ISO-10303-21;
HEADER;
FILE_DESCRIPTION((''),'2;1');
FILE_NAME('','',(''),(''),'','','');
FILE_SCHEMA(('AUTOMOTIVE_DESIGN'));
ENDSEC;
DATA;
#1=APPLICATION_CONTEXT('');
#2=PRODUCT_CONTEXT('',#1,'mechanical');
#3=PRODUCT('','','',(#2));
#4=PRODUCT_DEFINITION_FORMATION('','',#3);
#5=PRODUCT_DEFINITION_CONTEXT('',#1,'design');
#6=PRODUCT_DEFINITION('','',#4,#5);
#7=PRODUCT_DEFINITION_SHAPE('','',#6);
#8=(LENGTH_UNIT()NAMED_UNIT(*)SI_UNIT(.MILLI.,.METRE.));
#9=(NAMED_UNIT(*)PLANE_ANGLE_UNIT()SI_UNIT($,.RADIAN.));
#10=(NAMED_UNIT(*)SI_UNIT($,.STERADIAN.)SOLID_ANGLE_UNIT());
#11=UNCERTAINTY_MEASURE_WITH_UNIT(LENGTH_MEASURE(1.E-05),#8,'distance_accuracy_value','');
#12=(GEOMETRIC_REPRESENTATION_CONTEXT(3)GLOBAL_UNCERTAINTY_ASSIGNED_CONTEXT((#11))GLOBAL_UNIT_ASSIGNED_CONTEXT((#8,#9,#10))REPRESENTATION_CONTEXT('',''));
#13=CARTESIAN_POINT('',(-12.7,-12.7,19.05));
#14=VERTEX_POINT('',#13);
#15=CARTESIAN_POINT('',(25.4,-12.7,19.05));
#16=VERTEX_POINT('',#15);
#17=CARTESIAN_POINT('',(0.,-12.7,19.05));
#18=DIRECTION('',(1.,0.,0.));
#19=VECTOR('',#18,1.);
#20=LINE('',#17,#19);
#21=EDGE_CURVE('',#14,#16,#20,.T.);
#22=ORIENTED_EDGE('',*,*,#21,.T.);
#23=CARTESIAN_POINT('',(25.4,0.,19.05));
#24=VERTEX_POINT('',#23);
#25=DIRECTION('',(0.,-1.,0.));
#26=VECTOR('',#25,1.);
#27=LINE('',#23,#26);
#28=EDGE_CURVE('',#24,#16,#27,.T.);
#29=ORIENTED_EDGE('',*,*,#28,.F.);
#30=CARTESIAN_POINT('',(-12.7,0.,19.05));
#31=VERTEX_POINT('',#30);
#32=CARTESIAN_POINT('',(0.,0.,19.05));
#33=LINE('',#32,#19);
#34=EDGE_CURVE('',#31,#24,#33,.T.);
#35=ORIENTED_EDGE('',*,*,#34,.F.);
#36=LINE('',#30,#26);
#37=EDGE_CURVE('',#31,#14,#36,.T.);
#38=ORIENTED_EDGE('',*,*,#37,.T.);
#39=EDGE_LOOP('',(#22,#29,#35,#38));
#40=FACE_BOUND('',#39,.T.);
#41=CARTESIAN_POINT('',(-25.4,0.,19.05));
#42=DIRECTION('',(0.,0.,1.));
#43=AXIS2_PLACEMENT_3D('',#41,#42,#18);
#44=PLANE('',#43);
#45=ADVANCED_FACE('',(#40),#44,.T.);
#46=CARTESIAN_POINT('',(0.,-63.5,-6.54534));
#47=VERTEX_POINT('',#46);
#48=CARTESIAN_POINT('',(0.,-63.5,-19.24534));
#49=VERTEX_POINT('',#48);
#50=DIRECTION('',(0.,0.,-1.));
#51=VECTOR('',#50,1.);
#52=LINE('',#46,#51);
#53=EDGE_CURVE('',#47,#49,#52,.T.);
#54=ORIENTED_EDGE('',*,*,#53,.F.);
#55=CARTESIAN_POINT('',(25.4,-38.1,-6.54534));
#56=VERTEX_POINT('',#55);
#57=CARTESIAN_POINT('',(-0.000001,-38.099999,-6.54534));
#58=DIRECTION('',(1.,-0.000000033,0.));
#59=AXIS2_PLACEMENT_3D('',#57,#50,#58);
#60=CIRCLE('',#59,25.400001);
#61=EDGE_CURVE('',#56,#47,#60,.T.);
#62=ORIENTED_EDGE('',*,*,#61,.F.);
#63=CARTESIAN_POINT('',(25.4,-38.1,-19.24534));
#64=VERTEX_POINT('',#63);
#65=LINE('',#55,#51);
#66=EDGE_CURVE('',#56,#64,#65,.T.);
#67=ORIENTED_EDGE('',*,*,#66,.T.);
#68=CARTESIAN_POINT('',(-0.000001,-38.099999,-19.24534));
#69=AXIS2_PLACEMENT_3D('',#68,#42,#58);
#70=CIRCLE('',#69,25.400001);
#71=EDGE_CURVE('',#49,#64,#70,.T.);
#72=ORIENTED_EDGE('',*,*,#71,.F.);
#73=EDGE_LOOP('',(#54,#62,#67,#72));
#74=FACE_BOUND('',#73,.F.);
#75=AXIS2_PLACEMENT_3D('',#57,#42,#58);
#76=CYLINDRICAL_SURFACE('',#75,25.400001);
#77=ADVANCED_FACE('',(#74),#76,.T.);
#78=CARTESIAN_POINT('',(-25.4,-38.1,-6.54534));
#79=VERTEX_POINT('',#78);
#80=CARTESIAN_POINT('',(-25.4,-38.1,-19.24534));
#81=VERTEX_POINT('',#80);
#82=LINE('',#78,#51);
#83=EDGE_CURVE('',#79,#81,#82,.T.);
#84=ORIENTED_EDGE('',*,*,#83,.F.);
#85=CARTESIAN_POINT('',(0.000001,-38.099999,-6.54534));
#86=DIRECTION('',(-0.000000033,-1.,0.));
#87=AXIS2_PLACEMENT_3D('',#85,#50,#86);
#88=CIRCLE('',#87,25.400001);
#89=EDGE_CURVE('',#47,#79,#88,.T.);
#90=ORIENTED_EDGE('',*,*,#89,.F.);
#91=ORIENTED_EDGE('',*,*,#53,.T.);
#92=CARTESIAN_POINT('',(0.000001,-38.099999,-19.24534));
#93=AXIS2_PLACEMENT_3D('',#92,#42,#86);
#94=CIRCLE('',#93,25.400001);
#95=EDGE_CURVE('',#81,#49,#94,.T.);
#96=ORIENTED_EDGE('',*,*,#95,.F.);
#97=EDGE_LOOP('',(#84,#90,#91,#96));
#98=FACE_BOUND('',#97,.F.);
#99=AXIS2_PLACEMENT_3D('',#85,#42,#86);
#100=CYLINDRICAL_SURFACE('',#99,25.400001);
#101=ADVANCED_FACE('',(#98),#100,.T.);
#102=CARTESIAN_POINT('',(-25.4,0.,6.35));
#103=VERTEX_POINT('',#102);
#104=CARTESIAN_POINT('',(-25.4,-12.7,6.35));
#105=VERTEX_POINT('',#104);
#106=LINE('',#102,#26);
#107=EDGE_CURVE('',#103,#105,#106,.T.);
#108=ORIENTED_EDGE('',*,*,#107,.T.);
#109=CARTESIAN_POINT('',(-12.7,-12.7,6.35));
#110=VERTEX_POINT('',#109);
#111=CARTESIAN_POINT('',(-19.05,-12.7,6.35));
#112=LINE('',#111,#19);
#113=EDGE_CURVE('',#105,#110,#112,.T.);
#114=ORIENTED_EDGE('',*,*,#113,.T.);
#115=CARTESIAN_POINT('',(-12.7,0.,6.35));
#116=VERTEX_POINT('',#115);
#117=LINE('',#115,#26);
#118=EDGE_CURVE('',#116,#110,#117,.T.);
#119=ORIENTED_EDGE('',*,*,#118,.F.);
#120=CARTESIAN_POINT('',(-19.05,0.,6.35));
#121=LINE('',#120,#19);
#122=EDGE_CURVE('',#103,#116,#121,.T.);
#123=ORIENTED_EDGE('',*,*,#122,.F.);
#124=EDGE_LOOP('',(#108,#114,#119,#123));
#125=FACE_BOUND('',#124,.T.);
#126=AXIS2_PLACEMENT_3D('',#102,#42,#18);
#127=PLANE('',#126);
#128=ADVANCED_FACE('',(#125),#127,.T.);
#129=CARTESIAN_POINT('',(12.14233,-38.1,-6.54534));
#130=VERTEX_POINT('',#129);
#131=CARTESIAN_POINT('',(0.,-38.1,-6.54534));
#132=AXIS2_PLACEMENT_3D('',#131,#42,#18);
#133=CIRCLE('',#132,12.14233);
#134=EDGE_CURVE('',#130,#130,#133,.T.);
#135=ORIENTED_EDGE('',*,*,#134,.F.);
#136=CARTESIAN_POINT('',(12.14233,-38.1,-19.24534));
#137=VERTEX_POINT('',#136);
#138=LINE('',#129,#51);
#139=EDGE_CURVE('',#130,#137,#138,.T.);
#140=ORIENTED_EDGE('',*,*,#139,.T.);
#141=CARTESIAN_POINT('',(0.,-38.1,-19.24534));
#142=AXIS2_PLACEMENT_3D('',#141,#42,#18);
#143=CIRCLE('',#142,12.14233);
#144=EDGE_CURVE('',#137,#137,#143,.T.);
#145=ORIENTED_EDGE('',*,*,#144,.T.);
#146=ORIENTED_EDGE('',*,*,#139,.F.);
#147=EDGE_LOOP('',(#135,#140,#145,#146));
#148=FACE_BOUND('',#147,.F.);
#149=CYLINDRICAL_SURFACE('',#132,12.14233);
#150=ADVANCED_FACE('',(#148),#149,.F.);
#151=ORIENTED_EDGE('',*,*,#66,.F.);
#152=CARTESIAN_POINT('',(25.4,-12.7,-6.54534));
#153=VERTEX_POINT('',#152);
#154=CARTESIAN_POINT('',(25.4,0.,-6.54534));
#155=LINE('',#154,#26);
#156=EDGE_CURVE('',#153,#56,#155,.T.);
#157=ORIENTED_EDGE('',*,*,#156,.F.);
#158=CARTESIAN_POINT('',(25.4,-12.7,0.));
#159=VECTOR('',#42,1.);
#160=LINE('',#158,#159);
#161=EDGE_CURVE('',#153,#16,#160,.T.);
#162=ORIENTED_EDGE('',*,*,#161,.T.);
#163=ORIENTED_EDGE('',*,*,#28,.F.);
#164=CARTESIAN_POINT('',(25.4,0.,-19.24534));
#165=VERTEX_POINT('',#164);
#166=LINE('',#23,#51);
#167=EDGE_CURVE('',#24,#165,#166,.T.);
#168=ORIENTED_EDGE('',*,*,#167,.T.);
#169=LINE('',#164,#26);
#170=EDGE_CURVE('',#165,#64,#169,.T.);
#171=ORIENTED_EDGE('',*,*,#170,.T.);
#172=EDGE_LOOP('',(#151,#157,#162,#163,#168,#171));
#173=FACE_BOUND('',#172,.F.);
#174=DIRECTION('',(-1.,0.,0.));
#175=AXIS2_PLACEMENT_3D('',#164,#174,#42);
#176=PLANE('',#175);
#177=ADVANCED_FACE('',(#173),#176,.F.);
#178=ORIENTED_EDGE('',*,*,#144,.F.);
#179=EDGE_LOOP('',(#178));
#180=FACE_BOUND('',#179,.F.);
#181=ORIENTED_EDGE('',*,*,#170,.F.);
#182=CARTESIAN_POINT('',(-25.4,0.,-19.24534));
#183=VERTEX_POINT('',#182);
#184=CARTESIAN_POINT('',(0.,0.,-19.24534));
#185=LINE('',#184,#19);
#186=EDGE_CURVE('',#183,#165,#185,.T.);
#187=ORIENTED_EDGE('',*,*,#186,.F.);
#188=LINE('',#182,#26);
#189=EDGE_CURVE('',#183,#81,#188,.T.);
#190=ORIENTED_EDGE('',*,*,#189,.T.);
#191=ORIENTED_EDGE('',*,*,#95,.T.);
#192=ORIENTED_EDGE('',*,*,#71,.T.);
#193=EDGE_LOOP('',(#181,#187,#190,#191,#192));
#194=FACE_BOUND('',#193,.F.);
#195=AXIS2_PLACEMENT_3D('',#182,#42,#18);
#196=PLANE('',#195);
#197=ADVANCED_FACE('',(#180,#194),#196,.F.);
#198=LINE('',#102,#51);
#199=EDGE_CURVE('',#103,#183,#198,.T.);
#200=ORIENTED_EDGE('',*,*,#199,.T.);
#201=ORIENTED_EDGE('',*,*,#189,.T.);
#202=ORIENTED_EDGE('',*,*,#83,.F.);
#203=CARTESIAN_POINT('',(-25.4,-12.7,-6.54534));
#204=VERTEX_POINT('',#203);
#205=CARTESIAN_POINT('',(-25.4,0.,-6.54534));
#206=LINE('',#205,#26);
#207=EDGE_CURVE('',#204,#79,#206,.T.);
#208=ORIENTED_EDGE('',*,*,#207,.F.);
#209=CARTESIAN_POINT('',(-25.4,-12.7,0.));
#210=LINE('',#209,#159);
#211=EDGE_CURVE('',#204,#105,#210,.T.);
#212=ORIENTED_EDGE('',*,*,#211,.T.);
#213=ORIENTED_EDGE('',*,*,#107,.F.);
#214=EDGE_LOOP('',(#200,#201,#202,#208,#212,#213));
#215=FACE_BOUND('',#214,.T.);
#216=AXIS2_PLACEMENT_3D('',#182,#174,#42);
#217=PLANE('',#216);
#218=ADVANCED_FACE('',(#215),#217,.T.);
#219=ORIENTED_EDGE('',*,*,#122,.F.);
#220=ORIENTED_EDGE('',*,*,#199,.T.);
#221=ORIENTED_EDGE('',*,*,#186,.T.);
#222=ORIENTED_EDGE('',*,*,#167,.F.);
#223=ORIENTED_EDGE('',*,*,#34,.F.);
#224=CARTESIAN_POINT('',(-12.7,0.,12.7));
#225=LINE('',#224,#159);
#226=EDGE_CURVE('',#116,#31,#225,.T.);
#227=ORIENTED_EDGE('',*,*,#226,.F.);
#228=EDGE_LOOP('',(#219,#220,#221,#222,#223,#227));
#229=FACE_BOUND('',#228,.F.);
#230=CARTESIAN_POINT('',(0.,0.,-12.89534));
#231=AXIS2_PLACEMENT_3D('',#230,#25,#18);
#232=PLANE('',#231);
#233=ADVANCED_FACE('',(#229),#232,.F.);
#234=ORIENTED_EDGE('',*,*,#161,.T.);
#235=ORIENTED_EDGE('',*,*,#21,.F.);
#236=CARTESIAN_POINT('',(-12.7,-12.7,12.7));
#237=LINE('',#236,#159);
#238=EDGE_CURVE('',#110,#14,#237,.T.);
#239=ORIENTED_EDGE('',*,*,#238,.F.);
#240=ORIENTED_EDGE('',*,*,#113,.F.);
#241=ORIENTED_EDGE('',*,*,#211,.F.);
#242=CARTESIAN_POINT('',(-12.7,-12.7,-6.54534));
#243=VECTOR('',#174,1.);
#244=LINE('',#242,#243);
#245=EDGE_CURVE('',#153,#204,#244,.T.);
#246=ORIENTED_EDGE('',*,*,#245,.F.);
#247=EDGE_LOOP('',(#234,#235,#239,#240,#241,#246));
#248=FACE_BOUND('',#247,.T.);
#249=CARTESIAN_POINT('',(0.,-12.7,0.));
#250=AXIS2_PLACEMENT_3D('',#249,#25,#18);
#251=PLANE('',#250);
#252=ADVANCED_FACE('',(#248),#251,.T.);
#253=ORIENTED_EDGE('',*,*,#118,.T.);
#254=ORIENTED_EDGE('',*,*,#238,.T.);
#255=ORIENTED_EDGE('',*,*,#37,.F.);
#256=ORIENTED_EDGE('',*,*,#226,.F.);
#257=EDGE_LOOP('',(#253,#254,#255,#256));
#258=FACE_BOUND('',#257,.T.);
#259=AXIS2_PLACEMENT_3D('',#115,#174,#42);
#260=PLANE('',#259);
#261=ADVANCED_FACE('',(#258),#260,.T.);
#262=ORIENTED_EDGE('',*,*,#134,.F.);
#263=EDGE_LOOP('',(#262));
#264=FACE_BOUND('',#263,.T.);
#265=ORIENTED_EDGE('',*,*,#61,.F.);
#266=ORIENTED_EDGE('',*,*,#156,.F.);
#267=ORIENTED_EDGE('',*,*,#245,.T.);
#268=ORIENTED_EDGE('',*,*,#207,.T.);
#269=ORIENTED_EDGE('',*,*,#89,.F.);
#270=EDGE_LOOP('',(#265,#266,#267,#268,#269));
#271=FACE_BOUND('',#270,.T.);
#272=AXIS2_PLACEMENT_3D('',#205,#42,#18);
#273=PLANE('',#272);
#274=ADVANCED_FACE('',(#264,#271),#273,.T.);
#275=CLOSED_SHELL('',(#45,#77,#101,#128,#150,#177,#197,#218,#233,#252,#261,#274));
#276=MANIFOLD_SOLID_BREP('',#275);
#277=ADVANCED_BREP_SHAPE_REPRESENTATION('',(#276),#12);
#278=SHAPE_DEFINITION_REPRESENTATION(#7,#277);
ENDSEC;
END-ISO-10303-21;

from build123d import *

# Parameters (mm, degrees)
F0_W     = 50.8
F0_H     = 38.1
F1_DEPTH = 12.7
F2_W     = 12.7
F2_H     = 12.7
F3_DEPTH = 12.7
F4_W     = 50.8
F4_H     = 12.7
F5_DEPTH = 63.5
F6_R     = 12.14233
F7_DEPTH = 12.701


with BuildPart() as f1:
    # F0 (on Front) → F1 (new body)
    with BuildSketch(Plane.XZ):
        Rectangle(F0_W, F0_H)
    extrude(amount=F1_DEPTH)

    # F2 (on Front) → F3 (cut)
    with BuildSketch(Plane.XZ):
        with Locations((-19.05, 12.7)):
            Rectangle(F2_W, F2_H)
    extrude(amount=F3_DEPTH, mode=Mode.SUBTRACT)

    # F4 (on Front) → F5 (join)
    with BuildSketch(Plane.XZ):
        with Locations((0, -12.89534)):
            Rectangle(F4_W, F4_H)
    extrude(amount=F5_DEPTH)

    # F6 (on face) → F7 (cut, through all)
    with BuildSketch(Plane.XY.offset(-6.54534)):
        with BuildLine():
            Line((-25.4, -63.5), (0, -63.5))
            ThreePointArc((0, -63.5), (-17.960512, -56.060512), (-25.4, -38.1))
            Line((-25.4, -38.1), (-25.4, -63.5))
        make_face()
        with BuildLine():
            Line((25.4, -63.5), (25.4, -38.1))
            ThreePointArc((25.4, -38.1), (17.960512, -56.060512), (0, -63.5))
            Line((0, -63.5), (25.4, -63.5))
        make_face()
        with Locations((0, -38.1)):
            Circle(F6_R)
    extrude(amount=-F7_DEPTH, mode=Mode.SUBTRACT)


solid = f1.part
